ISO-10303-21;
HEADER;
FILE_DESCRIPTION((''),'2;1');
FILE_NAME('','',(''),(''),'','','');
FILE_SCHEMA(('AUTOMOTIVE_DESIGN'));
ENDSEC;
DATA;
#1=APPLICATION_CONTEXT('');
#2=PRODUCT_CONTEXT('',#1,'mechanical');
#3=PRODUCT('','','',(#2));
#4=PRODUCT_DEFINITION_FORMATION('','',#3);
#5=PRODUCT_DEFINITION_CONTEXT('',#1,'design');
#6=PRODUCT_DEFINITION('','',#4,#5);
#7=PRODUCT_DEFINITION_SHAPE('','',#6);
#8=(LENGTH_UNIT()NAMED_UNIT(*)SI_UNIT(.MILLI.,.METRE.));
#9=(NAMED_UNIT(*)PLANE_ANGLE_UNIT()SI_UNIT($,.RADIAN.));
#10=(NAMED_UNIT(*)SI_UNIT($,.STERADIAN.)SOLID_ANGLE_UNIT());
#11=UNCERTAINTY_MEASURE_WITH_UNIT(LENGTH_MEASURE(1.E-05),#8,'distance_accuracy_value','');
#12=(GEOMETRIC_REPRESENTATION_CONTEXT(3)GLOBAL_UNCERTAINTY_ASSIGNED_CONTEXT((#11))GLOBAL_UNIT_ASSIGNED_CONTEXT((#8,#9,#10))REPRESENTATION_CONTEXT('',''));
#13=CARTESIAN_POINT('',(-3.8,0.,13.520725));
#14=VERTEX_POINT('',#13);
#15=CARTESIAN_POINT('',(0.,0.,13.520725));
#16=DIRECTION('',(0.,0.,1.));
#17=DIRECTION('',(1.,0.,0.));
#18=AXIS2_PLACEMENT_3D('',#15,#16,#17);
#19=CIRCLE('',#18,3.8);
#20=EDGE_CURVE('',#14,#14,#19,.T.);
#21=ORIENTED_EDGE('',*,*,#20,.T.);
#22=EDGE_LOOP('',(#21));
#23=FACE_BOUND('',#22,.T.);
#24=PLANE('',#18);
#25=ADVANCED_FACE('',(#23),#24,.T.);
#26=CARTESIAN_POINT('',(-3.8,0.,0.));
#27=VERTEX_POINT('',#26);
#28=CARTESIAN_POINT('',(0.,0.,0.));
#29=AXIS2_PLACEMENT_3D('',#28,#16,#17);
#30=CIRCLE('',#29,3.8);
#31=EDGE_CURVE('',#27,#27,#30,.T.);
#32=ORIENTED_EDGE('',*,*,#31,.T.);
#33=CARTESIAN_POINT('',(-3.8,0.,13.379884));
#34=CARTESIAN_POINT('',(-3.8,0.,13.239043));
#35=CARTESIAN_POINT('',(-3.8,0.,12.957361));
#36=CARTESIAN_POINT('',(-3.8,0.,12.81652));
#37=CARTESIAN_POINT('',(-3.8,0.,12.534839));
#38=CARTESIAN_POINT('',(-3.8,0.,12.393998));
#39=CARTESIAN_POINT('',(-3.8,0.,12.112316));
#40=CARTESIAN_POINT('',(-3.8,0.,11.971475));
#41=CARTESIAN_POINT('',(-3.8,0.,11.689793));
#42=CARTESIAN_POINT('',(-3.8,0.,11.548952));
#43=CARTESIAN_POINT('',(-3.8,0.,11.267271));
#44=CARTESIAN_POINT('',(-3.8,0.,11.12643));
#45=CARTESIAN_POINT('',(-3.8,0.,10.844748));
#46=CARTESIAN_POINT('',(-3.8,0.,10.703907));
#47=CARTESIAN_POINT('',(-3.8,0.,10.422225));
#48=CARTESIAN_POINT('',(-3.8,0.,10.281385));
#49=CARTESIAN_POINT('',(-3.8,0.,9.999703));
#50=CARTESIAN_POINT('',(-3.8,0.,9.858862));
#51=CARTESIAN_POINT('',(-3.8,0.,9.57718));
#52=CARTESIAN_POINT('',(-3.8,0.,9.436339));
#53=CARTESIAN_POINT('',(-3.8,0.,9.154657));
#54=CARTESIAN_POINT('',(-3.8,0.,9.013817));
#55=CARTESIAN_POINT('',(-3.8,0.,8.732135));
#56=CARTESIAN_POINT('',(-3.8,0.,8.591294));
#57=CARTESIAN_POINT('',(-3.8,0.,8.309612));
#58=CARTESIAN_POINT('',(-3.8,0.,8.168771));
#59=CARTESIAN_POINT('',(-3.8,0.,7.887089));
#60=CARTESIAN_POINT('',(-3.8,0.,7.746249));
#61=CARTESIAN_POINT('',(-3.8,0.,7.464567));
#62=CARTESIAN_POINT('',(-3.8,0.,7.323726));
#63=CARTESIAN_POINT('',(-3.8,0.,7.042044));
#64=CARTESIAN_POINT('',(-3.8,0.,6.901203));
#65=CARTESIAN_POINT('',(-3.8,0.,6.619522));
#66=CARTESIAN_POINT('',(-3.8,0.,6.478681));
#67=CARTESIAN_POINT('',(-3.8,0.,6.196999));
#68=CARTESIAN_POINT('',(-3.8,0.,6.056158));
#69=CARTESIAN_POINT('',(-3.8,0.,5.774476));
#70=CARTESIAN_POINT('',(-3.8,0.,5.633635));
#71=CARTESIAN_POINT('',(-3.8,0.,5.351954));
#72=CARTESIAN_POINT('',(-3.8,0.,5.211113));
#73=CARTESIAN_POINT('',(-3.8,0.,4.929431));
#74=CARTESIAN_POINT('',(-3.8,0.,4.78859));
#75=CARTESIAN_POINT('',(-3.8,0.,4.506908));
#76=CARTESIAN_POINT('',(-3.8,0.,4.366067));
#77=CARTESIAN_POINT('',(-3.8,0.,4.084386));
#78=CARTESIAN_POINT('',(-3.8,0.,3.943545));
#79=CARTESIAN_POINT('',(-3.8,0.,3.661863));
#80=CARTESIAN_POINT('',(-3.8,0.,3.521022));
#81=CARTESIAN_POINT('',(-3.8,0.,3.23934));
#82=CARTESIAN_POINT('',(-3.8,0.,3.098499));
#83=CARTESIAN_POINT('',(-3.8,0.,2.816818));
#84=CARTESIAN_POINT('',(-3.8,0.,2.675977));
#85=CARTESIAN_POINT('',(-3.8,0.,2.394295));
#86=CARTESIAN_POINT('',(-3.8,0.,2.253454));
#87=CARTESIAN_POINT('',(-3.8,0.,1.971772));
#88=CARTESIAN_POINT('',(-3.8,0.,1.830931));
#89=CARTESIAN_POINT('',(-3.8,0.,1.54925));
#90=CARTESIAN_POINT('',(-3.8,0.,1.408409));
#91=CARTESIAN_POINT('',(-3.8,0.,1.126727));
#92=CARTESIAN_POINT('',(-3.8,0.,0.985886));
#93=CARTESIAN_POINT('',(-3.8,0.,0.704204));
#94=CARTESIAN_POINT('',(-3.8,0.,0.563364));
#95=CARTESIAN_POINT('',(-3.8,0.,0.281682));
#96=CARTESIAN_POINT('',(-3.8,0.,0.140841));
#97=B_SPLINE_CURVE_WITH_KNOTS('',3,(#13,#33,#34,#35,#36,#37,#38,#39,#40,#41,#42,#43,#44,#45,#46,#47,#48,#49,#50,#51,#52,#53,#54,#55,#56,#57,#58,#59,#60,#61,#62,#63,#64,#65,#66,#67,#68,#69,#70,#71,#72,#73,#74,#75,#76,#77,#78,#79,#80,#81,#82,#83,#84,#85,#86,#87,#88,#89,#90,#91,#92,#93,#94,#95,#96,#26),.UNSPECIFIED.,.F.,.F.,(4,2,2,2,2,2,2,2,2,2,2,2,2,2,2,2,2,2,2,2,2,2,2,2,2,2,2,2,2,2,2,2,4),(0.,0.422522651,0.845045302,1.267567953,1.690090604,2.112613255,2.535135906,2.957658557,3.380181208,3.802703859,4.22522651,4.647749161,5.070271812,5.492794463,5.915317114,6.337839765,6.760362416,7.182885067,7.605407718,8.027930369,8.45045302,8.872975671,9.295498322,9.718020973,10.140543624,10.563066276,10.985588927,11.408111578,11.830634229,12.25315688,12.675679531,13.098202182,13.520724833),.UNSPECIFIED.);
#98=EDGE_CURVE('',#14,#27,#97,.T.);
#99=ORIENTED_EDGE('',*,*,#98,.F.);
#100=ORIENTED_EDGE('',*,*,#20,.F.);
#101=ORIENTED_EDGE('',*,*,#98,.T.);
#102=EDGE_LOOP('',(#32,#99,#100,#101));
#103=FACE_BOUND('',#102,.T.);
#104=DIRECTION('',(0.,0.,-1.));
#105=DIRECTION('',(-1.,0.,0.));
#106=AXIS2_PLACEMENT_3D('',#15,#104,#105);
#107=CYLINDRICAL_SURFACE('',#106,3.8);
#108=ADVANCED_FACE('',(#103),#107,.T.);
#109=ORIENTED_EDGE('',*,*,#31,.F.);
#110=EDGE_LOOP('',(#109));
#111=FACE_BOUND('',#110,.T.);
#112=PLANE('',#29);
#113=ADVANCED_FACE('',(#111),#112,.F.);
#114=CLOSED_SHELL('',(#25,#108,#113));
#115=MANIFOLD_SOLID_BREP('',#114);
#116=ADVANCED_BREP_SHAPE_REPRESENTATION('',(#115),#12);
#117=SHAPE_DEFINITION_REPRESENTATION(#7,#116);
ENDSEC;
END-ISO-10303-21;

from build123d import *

# Parameters (mm, degrees)
SKETCH_1_R  = 3.8
CABLE_DEPTH = 13.520724833


with BuildPart() as part:
    # 草图1 → Cable (new body)
    with BuildSketch(Plane.XY):
        with Locations(Location((0, 0, 0), (0, 0, 180))):
            Circle(SKETCH_1_R)
    extrude(amount=CABLE_DEPTH)


solid = part.part
